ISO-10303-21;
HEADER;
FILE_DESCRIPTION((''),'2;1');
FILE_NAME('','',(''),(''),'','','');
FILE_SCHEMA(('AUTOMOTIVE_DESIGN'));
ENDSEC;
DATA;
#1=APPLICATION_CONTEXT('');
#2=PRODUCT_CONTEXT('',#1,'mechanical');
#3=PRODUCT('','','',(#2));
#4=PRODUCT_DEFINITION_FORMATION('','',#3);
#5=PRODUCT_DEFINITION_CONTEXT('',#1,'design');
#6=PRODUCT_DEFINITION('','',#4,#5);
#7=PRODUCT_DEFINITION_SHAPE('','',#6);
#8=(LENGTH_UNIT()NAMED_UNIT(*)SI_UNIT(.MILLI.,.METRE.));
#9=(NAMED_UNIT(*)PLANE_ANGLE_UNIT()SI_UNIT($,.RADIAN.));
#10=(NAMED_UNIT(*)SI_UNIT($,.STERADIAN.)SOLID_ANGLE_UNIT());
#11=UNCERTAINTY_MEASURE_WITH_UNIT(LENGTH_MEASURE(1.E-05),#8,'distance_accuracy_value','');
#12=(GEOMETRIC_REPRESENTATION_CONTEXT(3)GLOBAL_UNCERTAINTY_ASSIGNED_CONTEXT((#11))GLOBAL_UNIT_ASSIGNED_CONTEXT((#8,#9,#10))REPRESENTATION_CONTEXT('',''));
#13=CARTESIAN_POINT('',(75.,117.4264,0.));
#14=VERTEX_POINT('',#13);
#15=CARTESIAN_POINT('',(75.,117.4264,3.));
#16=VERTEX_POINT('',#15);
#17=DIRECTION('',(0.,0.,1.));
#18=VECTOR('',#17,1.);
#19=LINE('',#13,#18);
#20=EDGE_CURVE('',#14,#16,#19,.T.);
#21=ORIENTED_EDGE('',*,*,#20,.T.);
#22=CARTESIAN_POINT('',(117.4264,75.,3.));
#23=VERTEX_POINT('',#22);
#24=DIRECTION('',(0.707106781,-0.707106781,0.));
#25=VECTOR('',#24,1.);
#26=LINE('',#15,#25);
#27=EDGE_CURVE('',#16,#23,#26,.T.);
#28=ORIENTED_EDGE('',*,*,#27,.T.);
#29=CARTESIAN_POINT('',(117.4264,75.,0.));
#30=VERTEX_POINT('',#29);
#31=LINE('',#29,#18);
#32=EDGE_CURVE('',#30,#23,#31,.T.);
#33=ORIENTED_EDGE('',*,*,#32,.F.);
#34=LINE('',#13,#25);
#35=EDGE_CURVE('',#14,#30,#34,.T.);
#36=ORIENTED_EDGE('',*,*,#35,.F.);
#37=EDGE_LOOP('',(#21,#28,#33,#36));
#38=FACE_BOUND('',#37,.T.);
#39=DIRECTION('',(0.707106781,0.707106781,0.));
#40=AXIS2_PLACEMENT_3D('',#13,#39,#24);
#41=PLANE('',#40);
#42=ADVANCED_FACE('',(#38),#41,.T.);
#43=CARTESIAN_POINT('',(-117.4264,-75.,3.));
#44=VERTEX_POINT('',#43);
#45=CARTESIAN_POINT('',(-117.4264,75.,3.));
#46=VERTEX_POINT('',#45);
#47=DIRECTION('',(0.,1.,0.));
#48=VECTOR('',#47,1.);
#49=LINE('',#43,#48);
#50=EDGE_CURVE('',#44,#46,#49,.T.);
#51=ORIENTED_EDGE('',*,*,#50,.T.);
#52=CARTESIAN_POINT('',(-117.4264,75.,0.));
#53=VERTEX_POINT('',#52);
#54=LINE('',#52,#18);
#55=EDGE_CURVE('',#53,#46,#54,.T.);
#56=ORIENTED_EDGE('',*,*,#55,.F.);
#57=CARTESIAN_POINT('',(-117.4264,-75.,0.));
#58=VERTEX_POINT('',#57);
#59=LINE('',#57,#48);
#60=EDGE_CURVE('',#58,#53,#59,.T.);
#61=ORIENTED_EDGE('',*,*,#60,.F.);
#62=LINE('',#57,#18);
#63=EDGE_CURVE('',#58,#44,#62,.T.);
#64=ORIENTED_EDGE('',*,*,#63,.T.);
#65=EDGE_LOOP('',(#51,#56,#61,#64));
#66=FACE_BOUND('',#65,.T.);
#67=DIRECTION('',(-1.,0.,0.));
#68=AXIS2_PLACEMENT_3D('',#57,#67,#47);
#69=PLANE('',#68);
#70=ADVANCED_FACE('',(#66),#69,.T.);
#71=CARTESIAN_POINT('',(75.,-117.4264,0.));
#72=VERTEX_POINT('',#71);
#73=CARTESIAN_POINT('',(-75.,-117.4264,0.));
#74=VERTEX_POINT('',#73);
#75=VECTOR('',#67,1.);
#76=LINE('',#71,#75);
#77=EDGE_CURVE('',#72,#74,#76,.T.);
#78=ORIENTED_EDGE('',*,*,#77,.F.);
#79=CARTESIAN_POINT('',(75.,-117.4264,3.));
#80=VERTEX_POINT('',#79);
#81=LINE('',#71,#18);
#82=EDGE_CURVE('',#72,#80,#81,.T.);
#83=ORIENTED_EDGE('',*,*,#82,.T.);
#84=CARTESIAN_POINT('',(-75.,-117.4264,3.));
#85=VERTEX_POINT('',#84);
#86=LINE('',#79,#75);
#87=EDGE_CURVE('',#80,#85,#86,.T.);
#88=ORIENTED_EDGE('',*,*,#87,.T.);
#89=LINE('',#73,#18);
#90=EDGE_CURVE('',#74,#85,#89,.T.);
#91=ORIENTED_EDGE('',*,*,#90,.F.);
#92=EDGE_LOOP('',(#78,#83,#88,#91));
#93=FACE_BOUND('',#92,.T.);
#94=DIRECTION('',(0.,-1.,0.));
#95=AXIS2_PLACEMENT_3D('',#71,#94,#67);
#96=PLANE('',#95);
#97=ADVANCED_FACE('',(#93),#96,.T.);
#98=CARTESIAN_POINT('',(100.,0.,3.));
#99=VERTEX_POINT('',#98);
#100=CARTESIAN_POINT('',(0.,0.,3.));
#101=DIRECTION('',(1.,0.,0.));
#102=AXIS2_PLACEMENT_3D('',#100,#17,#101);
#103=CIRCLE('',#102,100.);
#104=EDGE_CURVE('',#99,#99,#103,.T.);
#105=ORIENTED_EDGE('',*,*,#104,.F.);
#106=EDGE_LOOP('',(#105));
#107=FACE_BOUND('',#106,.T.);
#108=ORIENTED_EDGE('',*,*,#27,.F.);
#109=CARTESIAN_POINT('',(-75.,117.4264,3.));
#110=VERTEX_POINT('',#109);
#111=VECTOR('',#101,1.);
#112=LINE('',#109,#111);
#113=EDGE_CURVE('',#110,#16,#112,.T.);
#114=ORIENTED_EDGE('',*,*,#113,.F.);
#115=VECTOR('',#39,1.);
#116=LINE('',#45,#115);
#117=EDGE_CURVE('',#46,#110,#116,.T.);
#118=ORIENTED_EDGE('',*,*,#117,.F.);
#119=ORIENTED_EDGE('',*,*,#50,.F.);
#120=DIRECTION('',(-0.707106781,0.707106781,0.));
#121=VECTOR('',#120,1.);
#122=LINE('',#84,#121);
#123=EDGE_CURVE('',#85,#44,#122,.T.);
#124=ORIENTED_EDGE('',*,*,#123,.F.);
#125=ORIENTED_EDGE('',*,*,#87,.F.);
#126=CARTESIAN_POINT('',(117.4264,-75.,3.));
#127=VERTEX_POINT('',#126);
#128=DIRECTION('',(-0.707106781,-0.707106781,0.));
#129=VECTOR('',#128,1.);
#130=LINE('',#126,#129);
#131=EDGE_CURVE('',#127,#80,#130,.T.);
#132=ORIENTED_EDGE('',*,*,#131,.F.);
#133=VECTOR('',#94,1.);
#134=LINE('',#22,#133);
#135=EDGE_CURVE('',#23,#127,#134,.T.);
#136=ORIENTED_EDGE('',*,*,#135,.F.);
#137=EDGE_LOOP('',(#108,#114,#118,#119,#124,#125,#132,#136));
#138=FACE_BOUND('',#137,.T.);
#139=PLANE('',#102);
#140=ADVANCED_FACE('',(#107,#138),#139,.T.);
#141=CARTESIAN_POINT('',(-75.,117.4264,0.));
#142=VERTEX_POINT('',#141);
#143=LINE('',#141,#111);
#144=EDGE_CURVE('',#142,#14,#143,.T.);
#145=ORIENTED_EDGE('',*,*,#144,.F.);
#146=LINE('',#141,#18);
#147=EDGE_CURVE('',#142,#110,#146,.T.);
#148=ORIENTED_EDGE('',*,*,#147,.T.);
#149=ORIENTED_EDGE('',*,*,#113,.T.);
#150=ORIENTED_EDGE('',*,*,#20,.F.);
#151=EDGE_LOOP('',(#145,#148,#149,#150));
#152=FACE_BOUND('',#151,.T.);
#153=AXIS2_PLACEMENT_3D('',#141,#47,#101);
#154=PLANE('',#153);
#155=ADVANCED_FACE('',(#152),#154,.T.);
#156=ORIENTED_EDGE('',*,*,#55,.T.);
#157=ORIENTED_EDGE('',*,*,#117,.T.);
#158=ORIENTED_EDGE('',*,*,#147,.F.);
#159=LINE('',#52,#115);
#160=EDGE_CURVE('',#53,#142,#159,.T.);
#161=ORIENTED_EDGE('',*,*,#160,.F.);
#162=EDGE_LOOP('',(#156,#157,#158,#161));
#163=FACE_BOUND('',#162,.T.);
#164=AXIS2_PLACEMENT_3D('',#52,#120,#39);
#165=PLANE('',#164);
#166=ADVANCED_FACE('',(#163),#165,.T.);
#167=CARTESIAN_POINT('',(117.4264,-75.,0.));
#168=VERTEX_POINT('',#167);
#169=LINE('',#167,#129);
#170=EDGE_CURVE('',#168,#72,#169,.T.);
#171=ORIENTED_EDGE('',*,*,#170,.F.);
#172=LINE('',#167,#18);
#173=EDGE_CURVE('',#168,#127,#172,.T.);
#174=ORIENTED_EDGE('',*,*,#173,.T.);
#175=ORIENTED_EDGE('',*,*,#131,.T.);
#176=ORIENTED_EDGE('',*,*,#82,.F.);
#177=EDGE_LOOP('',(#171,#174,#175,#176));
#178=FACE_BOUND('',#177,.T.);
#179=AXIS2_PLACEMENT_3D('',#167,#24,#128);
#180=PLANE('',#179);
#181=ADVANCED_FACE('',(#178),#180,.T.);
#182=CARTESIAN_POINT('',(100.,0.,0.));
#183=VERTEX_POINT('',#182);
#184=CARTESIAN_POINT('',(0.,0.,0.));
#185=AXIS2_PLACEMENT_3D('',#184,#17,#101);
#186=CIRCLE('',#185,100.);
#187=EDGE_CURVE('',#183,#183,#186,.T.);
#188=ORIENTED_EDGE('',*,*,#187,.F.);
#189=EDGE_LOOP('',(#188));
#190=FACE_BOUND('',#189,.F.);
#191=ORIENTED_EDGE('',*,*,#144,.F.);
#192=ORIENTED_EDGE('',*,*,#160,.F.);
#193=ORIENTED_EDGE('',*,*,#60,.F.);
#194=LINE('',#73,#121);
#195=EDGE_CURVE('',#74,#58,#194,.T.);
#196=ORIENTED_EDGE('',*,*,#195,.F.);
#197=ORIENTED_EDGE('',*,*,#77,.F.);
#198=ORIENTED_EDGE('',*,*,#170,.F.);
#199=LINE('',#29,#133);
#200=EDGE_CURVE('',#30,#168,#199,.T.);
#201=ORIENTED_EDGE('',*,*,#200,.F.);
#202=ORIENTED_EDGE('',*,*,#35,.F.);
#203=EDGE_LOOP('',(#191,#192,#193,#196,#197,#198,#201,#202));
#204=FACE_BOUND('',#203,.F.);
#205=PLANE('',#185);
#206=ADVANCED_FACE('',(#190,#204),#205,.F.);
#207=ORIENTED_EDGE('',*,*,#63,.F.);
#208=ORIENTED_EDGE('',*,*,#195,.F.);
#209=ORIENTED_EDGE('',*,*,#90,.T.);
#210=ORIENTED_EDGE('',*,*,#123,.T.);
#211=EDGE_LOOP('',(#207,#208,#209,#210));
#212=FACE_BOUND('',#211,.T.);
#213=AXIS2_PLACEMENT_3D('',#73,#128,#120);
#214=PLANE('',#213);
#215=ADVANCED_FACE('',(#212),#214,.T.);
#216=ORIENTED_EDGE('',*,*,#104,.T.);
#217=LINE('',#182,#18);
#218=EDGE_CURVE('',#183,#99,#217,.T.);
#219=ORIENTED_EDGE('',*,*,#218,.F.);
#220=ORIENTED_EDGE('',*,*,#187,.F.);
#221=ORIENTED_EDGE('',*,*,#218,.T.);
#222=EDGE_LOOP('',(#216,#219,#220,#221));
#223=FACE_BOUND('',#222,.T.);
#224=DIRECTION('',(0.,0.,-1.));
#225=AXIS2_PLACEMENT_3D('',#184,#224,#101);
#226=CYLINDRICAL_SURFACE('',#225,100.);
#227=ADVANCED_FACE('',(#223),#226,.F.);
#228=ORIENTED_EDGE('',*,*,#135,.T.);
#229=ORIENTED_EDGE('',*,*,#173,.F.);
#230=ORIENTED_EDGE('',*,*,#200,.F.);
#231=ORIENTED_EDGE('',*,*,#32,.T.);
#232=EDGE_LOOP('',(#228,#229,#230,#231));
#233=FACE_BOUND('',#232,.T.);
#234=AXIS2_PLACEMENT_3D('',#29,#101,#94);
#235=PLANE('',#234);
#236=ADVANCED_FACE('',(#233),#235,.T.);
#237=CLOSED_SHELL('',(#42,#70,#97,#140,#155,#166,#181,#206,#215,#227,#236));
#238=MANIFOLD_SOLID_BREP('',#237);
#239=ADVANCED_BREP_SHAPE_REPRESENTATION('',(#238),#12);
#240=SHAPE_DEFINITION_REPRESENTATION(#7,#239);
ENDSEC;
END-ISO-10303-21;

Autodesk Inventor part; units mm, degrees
ref_plane "YZ Plane" through (0, 0, 0) normal (1, 0, 0) x (0, 1, 0)
ref_plane "XZ Plane" through (0, 0, 0) normal (0, 1, 0) x (-1, 0, 0)
ref_plane "XY Plane" through (0, 0, 0) normal (0, 0, 1) x (1, 0, 0)
sketch "Sketch1" plane through (0, 0, 0) normal (0, 0, 1) x (1, 0, 0)
  circle A0 centre (0, 0) radius 100
  line L0 (-117.4264, -75) -> (-117.4264, 75)
  line L1 (-117.4264, 75) -> (-75, 117.4264)
  line L2 (-75, 117.4264) -> (75, 117.4264)
  line L3 (75, 117.4264) -> (117.4264, 75)
  line L4 (117.4264, 75) -> (117.4264, -75)
  line L5 (117.4264, -75) -> (75, -117.4264)
  line L6 (75, -117.4264) -> (-75, -117.4264)
  line L7 (-75, -117.4264) -> (-117.4264, -75)
  point P0 (-117.4264, 0)
  point P1 (117.4264, 0)
  point P2 (0, 117.4264)
  point P3 (0, -117.4264)
  dimension "d22" = 200
  dimension "d33" = 150
  dimension "d35" = 60
extrude "Plate1" add sketch "Sketch1" along normal blind 3
equation "\"d33\" = Wall_1_width"
equation "\"d35\" = Wall_2_width"
equation "\"d2\" = Thickness"
equation "\"BendReliefWidth\" = Thickness"
equation "\"BendReliefDepth\" = 0.5 * Thickness"
equation "\"CornerReliefSize\" = 4 * Thickness"
equation "\"MinimumRemnant\" = 2 * Thickness"
equation "\"TransitionRadius\" = BendRadius"
equation "\"JacobiRadiusSize\" = BendRadius"
equation "\"GapSize\" = Thickness"
equation "\"Wall_1_width\" = 150"
equation "\"Wall_2_width\" = 60"
equation "\"Thickness\" = 3"
equation "\"BendRadius\" = 5"
properties part number "TKS 3553 BOTTOM DS reduce flange" material "Stainless Steel"
